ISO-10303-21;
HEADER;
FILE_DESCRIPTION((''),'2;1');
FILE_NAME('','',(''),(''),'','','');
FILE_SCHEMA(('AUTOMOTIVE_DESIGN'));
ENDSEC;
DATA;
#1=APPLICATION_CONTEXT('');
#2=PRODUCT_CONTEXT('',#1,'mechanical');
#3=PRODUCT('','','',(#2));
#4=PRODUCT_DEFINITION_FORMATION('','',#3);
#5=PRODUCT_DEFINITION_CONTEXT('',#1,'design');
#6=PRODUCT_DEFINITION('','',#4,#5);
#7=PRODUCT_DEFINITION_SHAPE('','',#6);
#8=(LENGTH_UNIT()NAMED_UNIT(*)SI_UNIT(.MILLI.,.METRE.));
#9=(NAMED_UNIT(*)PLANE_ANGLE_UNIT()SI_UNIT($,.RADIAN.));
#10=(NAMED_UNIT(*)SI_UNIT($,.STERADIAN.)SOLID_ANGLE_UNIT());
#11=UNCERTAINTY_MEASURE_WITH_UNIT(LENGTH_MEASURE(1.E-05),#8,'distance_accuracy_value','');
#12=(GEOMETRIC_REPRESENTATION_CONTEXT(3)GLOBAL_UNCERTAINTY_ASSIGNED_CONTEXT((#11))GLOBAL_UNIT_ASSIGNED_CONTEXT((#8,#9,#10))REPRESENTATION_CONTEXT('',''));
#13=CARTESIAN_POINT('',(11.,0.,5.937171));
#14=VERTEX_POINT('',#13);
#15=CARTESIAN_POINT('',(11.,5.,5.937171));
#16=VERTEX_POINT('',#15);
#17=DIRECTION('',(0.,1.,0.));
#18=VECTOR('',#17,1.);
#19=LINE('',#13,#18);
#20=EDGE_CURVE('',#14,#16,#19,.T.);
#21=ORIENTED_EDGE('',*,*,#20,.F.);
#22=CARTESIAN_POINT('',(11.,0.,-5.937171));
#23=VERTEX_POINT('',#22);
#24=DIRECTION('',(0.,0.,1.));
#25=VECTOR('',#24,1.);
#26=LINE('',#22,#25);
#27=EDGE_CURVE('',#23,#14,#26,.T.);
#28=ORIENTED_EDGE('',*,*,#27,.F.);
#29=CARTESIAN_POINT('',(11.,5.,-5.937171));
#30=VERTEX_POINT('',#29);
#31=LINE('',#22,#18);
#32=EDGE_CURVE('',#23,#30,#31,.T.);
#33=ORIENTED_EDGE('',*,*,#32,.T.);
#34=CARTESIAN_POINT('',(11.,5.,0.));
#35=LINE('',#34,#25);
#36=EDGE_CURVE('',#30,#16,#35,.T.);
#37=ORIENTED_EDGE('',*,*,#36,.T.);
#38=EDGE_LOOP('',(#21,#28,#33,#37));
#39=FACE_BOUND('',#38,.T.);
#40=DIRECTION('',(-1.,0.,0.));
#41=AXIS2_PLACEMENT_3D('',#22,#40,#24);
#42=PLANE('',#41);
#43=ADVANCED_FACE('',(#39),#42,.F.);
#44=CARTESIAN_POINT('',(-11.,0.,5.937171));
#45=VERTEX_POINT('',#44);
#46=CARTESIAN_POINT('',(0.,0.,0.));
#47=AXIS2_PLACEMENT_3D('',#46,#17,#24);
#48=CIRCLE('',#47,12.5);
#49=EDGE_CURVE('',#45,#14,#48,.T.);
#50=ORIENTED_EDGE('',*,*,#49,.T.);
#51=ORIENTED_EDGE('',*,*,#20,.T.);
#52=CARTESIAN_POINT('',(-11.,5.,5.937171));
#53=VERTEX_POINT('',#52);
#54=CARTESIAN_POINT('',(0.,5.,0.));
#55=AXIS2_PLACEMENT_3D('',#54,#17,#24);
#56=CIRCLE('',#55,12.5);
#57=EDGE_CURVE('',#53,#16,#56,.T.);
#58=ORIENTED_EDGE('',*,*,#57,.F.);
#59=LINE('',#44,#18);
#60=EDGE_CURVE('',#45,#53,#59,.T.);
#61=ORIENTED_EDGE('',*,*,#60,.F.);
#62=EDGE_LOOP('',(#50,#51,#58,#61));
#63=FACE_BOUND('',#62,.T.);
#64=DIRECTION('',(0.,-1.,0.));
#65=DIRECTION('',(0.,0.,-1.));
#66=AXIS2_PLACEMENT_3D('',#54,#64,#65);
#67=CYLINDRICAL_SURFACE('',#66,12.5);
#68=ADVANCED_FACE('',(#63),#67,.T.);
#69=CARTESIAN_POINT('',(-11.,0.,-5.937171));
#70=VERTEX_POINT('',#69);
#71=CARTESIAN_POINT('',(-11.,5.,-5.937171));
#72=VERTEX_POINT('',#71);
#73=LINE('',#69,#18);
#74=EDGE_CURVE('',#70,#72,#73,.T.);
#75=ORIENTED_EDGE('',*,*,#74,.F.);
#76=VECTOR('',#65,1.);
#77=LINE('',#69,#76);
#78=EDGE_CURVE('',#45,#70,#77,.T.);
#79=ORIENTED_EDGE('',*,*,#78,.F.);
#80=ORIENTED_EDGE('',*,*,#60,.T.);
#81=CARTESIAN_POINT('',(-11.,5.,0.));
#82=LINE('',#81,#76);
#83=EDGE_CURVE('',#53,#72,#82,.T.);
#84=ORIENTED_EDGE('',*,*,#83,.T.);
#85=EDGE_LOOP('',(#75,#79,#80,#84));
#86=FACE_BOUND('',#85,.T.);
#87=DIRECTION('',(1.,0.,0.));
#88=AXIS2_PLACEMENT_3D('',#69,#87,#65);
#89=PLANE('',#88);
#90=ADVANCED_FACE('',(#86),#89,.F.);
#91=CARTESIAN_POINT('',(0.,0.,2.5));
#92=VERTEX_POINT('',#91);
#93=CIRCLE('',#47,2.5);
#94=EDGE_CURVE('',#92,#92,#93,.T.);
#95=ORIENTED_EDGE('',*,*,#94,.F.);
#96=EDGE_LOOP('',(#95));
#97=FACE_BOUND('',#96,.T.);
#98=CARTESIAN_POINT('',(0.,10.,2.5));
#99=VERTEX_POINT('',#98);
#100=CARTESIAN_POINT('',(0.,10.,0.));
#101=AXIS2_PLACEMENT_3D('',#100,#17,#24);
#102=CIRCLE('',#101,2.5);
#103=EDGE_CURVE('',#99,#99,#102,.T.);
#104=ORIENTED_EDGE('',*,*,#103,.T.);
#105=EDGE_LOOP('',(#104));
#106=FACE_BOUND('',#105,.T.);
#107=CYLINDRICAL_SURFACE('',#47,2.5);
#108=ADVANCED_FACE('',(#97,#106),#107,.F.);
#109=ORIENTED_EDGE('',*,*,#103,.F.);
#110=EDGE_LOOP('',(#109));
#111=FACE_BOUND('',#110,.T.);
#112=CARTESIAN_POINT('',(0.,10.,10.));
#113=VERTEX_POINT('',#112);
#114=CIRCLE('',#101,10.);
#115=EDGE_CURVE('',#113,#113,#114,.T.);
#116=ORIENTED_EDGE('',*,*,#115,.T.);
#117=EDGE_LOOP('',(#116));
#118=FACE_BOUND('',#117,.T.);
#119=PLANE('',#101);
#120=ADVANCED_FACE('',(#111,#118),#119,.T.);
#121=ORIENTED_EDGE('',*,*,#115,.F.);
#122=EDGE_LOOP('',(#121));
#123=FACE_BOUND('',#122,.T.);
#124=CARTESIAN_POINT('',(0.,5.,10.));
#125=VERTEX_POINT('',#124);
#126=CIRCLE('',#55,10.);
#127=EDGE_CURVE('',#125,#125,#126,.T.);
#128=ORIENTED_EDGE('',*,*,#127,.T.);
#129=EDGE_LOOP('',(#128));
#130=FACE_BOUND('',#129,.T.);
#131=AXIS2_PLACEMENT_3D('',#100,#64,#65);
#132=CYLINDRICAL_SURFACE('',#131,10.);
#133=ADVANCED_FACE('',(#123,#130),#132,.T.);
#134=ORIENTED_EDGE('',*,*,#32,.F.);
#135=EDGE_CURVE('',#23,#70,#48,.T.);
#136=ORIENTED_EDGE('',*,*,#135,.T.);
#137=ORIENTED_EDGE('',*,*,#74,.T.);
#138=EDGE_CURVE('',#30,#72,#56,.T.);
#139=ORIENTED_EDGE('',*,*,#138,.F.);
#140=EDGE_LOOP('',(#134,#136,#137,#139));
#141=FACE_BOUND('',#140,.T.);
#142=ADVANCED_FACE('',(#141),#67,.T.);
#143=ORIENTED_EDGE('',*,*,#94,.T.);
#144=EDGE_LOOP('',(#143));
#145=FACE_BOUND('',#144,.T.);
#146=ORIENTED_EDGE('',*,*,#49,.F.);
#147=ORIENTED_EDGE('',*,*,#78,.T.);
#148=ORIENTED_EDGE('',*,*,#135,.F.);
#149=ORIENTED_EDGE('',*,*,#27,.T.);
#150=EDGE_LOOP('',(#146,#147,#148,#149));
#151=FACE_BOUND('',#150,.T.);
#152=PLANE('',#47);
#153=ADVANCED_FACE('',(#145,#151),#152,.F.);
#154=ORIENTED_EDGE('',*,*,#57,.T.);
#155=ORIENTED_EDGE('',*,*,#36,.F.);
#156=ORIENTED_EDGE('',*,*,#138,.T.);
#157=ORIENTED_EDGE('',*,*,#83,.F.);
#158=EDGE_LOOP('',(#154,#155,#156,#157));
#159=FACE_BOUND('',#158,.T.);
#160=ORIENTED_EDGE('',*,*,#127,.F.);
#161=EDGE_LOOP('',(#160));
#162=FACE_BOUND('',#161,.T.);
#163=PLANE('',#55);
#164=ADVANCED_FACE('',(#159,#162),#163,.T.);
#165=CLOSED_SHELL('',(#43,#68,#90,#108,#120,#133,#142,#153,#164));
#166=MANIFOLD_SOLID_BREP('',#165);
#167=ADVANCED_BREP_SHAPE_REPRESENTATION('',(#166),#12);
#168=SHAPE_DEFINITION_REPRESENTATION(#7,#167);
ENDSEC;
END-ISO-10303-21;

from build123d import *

# Parameters (mm, degrees)
SKIZZE1_R                       = 12.5
AUFSATZ_LINEAR_AUSTRAGEN1_DEPTH = 5
SKIZZE2_R                       = 10
AUFSATZ_LINEAR_AUSTRAGEN2_DEPTH = 5
SKIZZE3_R                       = 2.5
SCHNITT_LINEAR_AUSTRAGEN1_DEPTH = 11


with BuildPart() as part:
    # Skizze1 → Aufsatz-Linear austragen1 (new body)
    with BuildSketch(Plane(origin=(0, 0, 0), x_dir=(1, 0, 0), z_dir=(0, 1, 0))):
        Circle(SKIZZE1_R)
    extrude(amount=AUFSATZ_LINEAR_AUSTRAGEN1_DEPTH)

    # Skizze2 → Aufsatz-Linear austragen2 (add)
    with BuildSketch(Plane(origin=(0, 5, 0), x_dir=(1, 0, 0), z_dir=(0, 1, 0))):
        Circle(SKIZZE2_R)
    extrude(amount=AUFSATZ_LINEAR_AUSTRAGEN2_DEPTH)

    # Skizze3 → Schnitt-Linear austragen1 (cut, through all)
    with BuildSketch(Plane(origin=(0, 10, 0), x_dir=(1, 0, 0), z_dir=(0, 1, 0))):
        Circle(SKIZZE3_R)
        with BuildLine():
            Line((-11, 5.937171044), (-11, -5.937171044))
            ThreePointArc((-11, -5.937171044), (-12.5, 0), (-11, 5.937171044))
        make_face()
        with BuildLine():
            Line((11, 5.937171044), (11, -5.937171044))
            ThreePointArc((11, -5.937171044), (12.5, 0), (11, 5.937171044))
        make_face()
    extrude(amount=-SCHNITT_LINEAR_AUSTRAGEN1_DEPTH, mode=Mode.SUBTRACT)


solid = part.part
